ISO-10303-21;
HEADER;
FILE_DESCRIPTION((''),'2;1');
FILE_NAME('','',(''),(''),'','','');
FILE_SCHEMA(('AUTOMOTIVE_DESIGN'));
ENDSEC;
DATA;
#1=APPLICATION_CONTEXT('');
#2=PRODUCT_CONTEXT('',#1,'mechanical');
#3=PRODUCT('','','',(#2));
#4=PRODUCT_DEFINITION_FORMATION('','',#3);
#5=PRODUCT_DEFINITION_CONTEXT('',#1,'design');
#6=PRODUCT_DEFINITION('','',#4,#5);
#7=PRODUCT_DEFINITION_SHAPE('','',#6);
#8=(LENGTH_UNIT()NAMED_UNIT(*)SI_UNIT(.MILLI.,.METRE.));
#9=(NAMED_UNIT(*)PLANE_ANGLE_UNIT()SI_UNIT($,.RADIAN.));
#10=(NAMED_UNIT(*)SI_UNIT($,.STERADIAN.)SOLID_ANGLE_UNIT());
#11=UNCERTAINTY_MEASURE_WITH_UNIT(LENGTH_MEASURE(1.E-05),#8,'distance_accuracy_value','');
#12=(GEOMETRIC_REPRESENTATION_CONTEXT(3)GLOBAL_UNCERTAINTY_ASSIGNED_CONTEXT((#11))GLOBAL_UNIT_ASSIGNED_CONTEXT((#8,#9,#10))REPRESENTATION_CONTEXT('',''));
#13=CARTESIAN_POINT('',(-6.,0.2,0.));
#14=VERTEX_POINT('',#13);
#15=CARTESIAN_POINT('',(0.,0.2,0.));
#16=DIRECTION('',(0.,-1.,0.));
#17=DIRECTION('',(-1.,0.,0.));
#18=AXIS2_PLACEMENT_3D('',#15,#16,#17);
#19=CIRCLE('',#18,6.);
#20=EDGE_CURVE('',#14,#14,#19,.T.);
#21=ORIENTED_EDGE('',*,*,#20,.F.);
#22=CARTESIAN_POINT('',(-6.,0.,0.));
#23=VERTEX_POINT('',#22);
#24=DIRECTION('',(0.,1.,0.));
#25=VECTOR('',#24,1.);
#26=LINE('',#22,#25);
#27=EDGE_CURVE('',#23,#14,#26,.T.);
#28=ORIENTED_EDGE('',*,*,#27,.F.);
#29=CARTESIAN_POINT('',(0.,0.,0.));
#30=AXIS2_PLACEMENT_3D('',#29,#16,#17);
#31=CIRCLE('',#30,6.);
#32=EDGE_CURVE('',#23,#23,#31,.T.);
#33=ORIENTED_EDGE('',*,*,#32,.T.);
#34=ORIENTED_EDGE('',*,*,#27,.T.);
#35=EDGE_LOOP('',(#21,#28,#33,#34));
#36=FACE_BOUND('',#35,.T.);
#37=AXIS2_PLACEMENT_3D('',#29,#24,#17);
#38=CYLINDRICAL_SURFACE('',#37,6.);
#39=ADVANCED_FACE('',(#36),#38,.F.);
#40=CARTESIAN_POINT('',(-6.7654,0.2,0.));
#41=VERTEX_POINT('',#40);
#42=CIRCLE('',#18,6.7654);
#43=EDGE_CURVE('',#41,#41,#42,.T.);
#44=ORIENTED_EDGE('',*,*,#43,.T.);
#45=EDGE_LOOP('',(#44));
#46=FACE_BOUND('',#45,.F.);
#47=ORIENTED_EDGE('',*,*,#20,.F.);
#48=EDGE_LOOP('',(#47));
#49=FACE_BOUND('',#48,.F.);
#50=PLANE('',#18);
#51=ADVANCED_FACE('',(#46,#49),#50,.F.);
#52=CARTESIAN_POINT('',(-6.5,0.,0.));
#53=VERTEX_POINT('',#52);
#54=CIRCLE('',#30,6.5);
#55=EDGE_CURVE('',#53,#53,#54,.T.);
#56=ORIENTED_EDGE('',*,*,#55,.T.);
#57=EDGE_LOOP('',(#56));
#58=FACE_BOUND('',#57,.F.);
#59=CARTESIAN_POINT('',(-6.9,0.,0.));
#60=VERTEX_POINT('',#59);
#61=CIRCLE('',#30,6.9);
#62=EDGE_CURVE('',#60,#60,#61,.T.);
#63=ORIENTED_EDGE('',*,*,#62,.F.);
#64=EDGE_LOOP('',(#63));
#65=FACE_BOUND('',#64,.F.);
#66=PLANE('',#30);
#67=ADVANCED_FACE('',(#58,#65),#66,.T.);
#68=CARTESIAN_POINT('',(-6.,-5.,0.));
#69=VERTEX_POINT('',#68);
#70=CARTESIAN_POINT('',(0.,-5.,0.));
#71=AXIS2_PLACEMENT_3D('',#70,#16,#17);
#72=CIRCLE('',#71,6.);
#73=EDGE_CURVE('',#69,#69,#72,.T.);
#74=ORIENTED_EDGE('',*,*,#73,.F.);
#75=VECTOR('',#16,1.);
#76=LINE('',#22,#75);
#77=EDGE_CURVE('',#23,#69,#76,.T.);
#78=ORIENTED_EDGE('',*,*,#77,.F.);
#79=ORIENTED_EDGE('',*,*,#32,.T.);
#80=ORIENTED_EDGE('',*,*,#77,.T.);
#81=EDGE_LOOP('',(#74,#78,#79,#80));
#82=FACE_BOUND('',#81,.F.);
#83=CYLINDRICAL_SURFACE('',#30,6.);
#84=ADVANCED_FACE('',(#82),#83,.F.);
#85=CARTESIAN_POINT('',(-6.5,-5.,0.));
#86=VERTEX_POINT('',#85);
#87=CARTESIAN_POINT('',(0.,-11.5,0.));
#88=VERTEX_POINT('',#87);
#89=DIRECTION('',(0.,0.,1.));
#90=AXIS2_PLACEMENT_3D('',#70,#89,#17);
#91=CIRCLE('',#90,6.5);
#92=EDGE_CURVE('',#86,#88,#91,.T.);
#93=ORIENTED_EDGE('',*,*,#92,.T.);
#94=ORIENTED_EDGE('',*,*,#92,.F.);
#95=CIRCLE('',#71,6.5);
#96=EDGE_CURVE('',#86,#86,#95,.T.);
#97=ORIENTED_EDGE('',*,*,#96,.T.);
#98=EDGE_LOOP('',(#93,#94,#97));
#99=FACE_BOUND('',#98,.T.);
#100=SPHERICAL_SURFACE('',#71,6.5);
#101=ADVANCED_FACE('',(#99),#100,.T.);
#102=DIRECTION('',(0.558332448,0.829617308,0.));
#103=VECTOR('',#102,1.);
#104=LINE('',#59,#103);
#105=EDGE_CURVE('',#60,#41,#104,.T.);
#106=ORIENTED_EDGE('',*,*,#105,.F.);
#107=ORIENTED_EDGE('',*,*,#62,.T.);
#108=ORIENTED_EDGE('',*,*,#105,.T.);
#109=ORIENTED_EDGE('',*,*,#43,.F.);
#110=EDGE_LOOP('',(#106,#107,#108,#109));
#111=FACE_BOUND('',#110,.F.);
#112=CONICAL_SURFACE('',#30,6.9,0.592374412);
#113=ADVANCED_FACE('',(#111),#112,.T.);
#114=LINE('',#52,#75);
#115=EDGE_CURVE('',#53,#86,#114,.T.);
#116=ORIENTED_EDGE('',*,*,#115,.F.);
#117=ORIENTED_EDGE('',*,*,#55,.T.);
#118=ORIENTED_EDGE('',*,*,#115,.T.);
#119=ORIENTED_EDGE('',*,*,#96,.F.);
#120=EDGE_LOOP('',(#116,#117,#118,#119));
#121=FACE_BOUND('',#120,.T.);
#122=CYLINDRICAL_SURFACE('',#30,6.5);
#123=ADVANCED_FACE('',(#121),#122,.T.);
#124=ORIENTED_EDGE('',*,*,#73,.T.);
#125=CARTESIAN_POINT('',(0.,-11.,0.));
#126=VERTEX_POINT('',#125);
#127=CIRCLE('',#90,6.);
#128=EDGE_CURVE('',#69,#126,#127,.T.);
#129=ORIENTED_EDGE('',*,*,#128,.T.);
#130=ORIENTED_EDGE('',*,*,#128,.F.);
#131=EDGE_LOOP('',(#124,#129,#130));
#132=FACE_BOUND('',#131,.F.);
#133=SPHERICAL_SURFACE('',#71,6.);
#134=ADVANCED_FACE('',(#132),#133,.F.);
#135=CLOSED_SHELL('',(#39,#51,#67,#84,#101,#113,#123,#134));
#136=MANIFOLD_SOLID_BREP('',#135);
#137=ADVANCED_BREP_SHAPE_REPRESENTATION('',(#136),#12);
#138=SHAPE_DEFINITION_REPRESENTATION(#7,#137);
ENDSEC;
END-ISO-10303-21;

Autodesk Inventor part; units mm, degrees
ref_plane "YZ Plane" through (0, 0, 0) normal (1, 0, 0) x (0, 1, 0)
ref_plane "XZ Plane" through (0, 0, 0) normal (0, 1, 0) x (-1, 0, 0)
ref_plane "XY Plane" through (0, 0, 0) normal (0, 0, 1) x (1, 0, 0)
sketch "Sketch1" plane through (0, 0, 0) normal (0, 0, 1) x (1, 0, 0)
  line L0 (-6, 0) -> (-6, -5)
  arc A0 (-6, -5) -> (0, -11) centre (0, -5) ccw
  line L1 (0, -11) -> (0, -11.5)
  line L2 (-6.5, 0) -> (-6.5, -5)
  line L3 (-6, 0) -> (-6, 0.2)
  line L4 (-6.5, 0) -> (-6.9, 0)
  line L5 (-6.7654, 0.2) -> (-6, 0.2)
  line L6 (-6.9, 0) -> (-6.7654, 0.2)
  arc A1 (-6.5, -5) -> (0, -11.5) centre (0, -5) ccw
  point P0 (0, -11.5)
  dimension "d3" = 0.5
  dimension "d5" = 0.2
  dimension "d6" = 0.4
  dimension "d8" = 0.5
revolve "Revolution1" add sketch "Sketch1" angle 360 about axis through (0, -11, 0) along (0, -1, 0)
properties part number "PivotCup" material "Rubber, Black"
